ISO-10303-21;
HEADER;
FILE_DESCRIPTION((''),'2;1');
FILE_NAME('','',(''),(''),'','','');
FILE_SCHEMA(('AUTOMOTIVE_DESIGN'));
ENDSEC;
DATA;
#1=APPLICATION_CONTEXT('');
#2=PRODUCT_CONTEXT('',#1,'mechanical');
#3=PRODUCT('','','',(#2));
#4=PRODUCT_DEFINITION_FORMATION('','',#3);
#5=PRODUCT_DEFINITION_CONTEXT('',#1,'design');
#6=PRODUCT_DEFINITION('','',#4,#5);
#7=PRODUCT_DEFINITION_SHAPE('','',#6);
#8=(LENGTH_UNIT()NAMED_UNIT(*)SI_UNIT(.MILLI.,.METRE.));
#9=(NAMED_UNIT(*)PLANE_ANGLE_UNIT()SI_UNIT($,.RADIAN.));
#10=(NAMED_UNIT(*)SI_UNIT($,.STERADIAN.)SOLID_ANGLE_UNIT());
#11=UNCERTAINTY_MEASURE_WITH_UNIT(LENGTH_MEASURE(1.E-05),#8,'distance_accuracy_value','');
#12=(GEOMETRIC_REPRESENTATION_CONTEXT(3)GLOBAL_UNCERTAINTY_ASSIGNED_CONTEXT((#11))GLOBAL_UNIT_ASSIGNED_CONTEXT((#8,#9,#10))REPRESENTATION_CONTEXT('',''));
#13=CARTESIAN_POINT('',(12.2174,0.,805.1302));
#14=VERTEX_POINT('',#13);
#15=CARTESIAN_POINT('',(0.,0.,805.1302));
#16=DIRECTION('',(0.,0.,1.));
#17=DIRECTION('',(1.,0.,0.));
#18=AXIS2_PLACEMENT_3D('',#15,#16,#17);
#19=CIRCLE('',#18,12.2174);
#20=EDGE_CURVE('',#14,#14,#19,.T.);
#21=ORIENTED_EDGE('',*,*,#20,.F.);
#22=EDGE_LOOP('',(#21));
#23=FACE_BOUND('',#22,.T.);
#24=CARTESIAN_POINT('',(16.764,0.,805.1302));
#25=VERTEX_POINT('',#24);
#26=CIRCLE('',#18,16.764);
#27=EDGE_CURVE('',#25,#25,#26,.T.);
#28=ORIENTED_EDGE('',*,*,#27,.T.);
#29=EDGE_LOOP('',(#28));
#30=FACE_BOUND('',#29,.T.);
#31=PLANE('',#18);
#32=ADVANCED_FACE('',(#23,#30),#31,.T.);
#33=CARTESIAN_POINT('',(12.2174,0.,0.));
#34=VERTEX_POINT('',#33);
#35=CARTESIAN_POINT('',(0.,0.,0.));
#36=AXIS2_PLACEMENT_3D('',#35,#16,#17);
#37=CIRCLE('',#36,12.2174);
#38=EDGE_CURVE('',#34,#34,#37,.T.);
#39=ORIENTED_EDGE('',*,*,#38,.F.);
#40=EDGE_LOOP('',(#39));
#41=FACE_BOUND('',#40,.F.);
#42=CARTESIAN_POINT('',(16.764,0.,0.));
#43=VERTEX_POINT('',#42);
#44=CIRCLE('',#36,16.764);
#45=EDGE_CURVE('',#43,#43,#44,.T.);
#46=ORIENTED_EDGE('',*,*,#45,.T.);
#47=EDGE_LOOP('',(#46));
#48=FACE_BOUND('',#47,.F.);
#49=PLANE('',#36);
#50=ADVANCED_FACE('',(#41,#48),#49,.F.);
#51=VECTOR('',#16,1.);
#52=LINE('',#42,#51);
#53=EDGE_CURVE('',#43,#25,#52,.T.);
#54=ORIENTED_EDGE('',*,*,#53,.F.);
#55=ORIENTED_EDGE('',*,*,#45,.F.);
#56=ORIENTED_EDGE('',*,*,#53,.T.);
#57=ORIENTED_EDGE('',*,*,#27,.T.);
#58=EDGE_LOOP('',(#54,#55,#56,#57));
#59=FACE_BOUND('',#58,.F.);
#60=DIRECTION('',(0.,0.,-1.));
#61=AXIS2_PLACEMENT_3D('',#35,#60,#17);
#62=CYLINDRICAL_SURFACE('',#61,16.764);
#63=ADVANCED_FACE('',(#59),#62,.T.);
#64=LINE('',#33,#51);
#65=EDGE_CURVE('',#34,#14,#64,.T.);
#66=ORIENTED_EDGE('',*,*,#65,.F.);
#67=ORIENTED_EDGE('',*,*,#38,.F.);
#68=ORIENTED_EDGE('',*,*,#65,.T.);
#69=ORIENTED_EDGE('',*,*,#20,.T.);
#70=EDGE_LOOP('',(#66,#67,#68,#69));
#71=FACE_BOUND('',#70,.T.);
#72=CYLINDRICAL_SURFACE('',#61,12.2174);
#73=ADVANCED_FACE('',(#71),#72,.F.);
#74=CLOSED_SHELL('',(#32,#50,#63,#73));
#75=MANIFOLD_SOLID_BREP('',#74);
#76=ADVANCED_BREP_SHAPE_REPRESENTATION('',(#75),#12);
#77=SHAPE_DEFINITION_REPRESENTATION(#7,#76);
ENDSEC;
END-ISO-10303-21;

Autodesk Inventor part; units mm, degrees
ref_plane "YZ Plane" through (0, 0, 0) normal (1, 0, 0) x (0, 1, 0)
ref_plane "Start Plane" through (0, 0, 0) normal (0, 0, 1) x (1, 0, 0)
ref_plane "End Plane" through (0, 0, 805.1302) normal (0, 0, 1) x (1, 0, 0)
sketch "Sketch" plane through (0, 0, 0) normal (0, 0, 1) x (1, 0, 0)
  circle A0 centre (0, 0) radius 12.2174
  circle A1 centre (0, 0) radius 16.764
  dimension "d0" = 33.528
  dimension "d1" = 4.5466
extrude "Body" add sketch "Sketch" along normal up to surface (805.1302 mm away) from surface at 0
sketch "Sketch3" plane through (0, 0, 0) normal (0, 0, 1) x (1, 0, 0)
  line L0 (0, 0) -> (10, 0)
ref_plane "Work Plane3" through (0, 0, 0) normal (0, -1, 0) x (1, 0, 0)
sketch "Sketch4" plane through (0, 0, 0) normal (0, -1, 0) x (1, 0, 0)
  line L0 (-2, 0) -> (12, 0) projected
  line L1 (-2, 805.1302) -> (12, 805.1302) projected
  dimension "d7" = 805.1302
equation "\"d0\" = G_H"
equation "\"d1\" = G_T"
equation "\"d2\" = G_L"
equation "\"G_H\" = 33.528"
equation "\"G_T\" = 4.5466"
equation "\"G_L\" = d7"
equation "\"G_OFFSET_START\" = 0"
equation "\"G_OFFSET_END\" = 0"
equation "\"d5\" = G_OFFSET_END + B_L"
equation "\"B_L\" = 805.1302"
properties part number "ANSI - 1 x 0.179 - 31.698" material "Steel, Mild"
